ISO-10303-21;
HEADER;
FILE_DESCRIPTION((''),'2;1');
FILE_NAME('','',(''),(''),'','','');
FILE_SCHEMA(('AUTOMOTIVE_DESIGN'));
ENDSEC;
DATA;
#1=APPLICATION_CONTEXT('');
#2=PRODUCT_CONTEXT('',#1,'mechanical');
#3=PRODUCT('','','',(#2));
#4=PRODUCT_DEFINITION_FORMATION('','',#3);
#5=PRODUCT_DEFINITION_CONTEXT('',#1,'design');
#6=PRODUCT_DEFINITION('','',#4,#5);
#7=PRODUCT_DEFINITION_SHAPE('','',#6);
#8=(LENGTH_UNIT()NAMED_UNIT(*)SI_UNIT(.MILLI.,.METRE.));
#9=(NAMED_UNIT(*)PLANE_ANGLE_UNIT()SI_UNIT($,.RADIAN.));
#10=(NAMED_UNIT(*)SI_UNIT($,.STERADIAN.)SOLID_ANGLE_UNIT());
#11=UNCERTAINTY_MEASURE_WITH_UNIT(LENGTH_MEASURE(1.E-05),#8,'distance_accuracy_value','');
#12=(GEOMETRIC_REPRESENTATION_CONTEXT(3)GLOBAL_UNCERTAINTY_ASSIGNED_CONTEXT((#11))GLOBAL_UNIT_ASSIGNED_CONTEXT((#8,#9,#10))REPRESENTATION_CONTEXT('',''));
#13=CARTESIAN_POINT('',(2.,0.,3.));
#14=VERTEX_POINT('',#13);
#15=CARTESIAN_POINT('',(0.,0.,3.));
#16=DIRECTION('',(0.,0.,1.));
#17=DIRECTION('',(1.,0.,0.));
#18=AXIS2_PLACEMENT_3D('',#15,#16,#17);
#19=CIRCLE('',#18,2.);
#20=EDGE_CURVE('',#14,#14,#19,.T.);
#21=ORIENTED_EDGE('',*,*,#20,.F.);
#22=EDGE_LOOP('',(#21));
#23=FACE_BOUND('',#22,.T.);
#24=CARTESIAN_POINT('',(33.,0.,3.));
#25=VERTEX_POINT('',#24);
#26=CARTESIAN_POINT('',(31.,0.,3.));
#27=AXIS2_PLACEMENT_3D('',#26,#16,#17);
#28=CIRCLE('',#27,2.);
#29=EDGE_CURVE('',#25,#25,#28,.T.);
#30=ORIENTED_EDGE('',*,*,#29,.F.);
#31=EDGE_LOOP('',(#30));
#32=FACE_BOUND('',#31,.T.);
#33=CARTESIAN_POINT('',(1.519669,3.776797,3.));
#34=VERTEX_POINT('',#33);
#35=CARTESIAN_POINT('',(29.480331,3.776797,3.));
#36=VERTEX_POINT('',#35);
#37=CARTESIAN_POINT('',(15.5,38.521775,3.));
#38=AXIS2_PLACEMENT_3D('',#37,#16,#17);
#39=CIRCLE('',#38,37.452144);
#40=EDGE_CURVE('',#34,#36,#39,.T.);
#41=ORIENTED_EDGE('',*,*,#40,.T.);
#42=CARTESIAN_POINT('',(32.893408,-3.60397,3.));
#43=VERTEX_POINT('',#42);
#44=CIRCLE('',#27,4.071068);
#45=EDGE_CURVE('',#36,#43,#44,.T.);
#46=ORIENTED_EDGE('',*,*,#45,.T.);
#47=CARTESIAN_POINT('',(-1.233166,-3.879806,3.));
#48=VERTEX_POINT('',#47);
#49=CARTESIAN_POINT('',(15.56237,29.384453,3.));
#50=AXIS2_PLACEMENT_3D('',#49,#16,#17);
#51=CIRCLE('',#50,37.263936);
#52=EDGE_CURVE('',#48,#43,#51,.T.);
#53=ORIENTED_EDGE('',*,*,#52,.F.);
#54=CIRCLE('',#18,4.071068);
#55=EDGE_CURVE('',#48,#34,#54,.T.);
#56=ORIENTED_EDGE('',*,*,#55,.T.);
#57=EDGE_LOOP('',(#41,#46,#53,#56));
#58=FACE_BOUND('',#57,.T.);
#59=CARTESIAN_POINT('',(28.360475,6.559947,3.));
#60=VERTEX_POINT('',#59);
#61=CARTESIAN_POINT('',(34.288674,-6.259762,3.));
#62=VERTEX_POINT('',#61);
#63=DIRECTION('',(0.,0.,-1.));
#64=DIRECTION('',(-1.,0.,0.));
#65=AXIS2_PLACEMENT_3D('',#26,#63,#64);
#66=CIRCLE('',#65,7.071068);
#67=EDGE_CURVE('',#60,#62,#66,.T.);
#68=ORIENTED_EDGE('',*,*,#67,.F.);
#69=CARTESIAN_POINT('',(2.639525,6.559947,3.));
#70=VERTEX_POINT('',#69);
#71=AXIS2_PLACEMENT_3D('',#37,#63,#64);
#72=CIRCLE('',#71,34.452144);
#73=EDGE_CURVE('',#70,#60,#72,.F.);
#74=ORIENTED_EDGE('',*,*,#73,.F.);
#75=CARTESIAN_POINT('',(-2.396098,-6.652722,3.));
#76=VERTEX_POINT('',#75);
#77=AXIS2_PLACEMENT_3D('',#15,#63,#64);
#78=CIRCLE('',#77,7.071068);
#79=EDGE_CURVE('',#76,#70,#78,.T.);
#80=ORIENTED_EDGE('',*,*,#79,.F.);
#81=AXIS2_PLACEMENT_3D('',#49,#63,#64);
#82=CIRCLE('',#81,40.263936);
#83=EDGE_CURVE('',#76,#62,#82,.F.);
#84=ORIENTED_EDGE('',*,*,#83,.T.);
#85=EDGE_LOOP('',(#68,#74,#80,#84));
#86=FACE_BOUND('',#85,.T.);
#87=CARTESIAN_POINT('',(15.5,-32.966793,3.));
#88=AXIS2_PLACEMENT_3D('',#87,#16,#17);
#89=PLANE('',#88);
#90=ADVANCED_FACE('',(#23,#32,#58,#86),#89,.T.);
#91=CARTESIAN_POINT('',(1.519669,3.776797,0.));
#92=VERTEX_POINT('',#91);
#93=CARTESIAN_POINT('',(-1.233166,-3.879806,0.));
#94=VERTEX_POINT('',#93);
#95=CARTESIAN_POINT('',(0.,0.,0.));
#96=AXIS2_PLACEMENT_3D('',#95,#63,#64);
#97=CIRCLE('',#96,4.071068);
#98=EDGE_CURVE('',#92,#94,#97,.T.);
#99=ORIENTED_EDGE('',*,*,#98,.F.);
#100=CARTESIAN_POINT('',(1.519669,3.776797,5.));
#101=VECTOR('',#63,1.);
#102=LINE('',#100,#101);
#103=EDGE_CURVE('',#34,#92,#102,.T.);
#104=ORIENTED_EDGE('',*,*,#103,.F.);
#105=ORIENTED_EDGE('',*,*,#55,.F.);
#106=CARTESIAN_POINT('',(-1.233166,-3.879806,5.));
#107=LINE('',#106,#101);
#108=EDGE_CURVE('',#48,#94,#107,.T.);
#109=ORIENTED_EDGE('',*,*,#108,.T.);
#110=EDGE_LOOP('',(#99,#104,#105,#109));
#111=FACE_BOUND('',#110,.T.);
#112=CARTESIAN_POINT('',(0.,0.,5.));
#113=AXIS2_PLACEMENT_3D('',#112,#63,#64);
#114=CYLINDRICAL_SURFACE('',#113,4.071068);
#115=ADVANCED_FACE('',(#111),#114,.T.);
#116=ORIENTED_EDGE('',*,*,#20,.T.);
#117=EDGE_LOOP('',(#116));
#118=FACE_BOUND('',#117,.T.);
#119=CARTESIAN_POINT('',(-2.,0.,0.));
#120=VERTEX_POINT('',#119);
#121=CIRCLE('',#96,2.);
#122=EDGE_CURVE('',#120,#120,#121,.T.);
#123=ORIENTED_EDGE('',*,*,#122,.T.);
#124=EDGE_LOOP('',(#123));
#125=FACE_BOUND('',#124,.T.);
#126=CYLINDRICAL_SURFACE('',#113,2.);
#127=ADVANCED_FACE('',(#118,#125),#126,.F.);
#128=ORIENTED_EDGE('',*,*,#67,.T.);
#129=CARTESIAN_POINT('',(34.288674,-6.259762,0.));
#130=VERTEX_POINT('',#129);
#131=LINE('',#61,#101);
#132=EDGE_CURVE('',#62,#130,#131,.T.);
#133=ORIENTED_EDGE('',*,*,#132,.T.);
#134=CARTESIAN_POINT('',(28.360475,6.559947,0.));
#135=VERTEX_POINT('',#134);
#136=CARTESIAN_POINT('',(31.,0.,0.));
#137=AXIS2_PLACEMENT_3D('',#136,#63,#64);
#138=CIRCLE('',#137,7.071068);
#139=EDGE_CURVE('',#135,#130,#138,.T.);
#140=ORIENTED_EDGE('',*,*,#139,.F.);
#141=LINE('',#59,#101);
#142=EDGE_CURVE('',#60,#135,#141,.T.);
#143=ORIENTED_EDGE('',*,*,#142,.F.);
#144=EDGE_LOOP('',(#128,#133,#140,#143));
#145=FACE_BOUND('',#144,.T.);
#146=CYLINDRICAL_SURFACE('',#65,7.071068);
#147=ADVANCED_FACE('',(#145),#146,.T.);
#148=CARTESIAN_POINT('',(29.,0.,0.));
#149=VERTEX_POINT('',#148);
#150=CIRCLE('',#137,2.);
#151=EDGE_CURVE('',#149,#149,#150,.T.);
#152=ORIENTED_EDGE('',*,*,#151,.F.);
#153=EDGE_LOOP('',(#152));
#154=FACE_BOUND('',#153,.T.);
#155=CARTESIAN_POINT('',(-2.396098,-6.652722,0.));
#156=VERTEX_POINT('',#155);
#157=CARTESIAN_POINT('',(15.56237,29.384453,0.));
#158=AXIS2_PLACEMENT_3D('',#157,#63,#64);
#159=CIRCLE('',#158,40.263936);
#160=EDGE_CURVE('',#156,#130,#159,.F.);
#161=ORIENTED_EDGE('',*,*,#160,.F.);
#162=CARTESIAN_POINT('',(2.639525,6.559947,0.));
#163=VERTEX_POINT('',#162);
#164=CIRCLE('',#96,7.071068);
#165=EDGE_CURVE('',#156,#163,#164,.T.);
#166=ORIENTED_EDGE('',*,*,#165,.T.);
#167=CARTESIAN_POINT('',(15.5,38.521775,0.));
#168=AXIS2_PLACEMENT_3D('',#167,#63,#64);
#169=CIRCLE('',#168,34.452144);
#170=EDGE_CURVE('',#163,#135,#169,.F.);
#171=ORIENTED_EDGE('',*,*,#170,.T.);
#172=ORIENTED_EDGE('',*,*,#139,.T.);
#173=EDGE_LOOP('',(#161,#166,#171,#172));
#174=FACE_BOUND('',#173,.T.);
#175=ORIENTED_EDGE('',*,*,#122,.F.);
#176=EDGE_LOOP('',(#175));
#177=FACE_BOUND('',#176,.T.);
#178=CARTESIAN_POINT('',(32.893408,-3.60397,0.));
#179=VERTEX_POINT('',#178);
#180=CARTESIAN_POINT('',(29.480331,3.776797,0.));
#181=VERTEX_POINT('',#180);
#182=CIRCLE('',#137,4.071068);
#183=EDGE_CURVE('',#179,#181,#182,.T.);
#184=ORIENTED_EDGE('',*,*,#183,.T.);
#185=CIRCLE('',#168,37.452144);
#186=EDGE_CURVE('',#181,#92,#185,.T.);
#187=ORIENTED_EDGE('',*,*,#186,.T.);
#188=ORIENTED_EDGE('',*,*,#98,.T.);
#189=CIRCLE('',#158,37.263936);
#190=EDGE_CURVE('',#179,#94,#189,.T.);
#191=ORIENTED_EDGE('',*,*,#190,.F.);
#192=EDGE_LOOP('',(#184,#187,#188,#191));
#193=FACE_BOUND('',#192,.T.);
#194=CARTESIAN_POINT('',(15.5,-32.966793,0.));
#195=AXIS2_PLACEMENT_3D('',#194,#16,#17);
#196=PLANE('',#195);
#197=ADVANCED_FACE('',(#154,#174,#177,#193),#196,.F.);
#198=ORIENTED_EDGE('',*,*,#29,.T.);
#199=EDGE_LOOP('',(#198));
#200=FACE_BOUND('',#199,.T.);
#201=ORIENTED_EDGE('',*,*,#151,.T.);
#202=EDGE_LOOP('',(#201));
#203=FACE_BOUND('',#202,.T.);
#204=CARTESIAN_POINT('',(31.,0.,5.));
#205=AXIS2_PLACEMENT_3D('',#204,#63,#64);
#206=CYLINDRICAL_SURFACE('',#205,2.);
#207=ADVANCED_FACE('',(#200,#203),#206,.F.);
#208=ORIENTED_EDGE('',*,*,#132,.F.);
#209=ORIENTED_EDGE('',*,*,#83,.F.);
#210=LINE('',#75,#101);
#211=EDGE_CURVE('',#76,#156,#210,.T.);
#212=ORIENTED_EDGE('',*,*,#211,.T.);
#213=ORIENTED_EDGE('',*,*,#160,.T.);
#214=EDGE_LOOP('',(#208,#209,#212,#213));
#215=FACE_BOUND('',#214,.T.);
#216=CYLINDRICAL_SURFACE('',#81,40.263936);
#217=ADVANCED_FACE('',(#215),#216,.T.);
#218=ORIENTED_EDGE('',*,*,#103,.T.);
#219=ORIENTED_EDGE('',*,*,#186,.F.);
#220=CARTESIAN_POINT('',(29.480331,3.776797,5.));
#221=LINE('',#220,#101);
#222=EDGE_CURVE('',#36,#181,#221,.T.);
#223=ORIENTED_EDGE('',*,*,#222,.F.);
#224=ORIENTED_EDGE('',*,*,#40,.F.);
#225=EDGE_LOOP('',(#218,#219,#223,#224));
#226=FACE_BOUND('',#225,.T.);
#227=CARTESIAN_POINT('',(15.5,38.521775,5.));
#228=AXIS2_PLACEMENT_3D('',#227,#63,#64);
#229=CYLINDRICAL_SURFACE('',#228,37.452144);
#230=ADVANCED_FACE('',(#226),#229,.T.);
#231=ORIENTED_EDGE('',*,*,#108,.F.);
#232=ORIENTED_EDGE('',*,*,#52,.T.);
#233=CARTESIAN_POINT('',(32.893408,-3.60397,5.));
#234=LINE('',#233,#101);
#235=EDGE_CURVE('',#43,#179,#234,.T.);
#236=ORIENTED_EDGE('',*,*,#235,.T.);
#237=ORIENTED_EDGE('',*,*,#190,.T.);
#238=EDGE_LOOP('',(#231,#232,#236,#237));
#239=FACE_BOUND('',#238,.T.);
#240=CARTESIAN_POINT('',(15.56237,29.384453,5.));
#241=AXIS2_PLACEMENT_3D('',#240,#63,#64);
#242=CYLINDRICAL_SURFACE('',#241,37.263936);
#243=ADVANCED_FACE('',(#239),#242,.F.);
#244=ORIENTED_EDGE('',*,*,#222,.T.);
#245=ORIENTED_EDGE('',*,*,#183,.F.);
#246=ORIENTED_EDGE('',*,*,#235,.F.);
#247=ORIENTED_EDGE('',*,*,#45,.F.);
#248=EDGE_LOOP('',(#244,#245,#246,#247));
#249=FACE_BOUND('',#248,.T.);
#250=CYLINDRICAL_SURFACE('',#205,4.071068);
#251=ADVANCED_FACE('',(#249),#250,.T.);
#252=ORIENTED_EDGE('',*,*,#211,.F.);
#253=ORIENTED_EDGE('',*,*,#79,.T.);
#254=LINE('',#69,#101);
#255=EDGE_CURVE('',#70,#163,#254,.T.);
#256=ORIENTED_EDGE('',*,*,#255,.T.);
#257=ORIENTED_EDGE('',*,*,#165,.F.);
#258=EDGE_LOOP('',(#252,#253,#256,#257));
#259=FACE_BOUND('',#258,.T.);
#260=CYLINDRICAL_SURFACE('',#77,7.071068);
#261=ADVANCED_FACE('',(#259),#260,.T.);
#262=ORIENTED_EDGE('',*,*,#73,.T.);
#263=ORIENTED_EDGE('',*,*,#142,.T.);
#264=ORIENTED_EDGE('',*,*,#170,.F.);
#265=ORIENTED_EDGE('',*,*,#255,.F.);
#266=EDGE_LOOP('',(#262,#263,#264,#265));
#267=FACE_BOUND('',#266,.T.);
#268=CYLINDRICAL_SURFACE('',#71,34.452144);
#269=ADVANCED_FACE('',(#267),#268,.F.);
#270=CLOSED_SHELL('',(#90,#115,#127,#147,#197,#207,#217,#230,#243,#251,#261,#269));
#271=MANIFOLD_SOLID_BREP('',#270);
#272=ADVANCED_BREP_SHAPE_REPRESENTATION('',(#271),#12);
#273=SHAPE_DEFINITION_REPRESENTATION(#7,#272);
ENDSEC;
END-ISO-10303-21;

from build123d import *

# Parameters (mm, degrees)
SKETCH1_R           = 1.5
EXTRUDE1_DEPTH      = 3
BOSS_EXTRUDE2_START = -3
BOSS_EXTRUDE2_DEPTH = 3
CUT_EXTRUDE4_START  = -5
CUT_EXTRUDE4_DEPTH  = 5
BOSS_EXTRUDE3_DEPTH = 3
BOSS_EXTRUDE4_DEPTH = 3
SKETCH7_R           = 2
CUT_EXTRUDE6_DEPTH  = 5


with BuildPart() as part:
    # Sketch1 → Extrude1 (new body)
    with BuildSketch(Plane.XY):
        with BuildLine():
            ThreePointArc((0, 5), (-5, 0), (0, -5))
            Line((0, -5), (31, -5))
            ThreePointArc((31, -5), (36, 0), (31, 5))
            Line((31, 5), (0, 5))
        make_face()
        Circle(SKETCH1_R, mode=Mode.SUBTRACT)
        with BuildLine():
            ThreePointArc((32.5, 0), (31, -1.5), (29.5, 0))
            ThreePointArc((29.5, 0), (31, 1.5), (32.5, 0))
        make_face(mode=Mode.SUBTRACT)
    extrude(amount=EXTRUDE1_DEPTH)

    # Sketch2 → Boss-Extrude2 (add)
    with BuildSketch(Plane.XY.offset(3).offset(BOSS_EXTRUDE2_START)):
        with BuildLine():
            Line((30.833786225, -5), (0.166213775, -5))
            ThreePointArc((0.166213775, -5), (15.5, -10), (30.833786225, -5))
        make_face()
        with BuildLine():
            ThreePointArc((36, 0), (36, 5), (31, 5))
            ThreePointArc((31, 5), (34.535533906, 3.535533906), (36, 0))
        make_face()
        with BuildLine():
            ThreePointArc((-5, 0), (-3.535533906, 3.535533906), (0, 5))
            ThreePointArc((0, 5), (-5, 5), (-5, 0))
        make_face()
    extrude(amount=BOSS_EXTRUDE2_DEPTH)

    # Sketch2<6> → Cut-Extrude4 (cut)
    with BuildSketch(Plane.XY.offset(3).offset(CUT_EXTRUDE4_START)):
        with BuildLine():
            Line((31, 5), (0, 5))
            ThreePointArc((0, 5), (15.5, -1.27314911), (31, 5))
        make_face()
        with BuildLine():
            ThreePointArc((31, -5), (34.535533906, -3.535533906), (36, 0))
            ThreePointArc((36, 0), (33.590468728, -2.679345747), (30.833786225, -5))
            Line((30.833786225, -5), (31, -5))
        make_face()
        with BuildLine():
            ThreePointArc((0.166213775, -5), (-2.590468728, -2.679345747), (-5, 0))
            ThreePointArc((-5, 0), (-3.535533906, -3.535533906), (0, -5))
            Line((0, -5), (0.166213775, -5))
        make_face()
    extrude(amount=CUT_EXTRUDE4_DEPTH, mode=Mode.SUBTRACT)

    # Sketch5 → Boss-Extrude3 (add)
    with BuildSketch(Plane(origin=(0, 0, 0), x_dir=(-1, 0, 0), z_dir=(0, 0, -1))):
        with BuildLine():
            ThreePointArc((-2.599706958, -6.575828749), (5.911032444, -3.880682343), (4.999999984, 5.000000016))
            ThreePointArc((4.999999984, 5.000000016), (6.035533906, 2.500000011), (5, 0))
            ThreePointArc((5, 0), (1.520730735, -3.658414607), (-2.599706958, -6.575828749))
        make_face()
        with BuildLine():
            ThreePointArc((0, 5), (2.499999989, 6.035533906), (4.999999984, 5.000000016))
            ThreePointArc((4.999999984, 5.000000016), (-2.526282139, 6.604384797), (-7.06048758, 0.386671862))
            ThreePointArc((-7.06048758, 0.386671862), (-3.310013829, 2.356284055), (0, 5))
        make_face()
        with BuildLine():
            ThreePointArc((-36.000000042, 4.999999958), (-36.911032421, -3.880682377), (-28.400293042, -6.575828749))
            ThreePointArc((-28.400293042, -6.575828749), (-32.520730735, -3.658414607), (-36, 0))
            ThreePointArc((-36, 0), (-37.035533906, 2.499999971), (-36.000000042, 4.999999958))
        make_face()
        with BuildLine():
            ThreePointArc((-31, 5), (-27.689986171, 2.356284055), (-23.93951242, 0.386671862))
            ThreePointArc((-23.93951242, 0.386671862), (-28.473717899, 6.604384812), (-36.000000042, 4.999999958))
            ThreePointArc((-36.000000042, 4.999999958), (-33.500000029, 6.035533906), (-31, 5))
        make_face()
    extrude(amount=-BOSS_EXTRUDE3_DEPTH)

    # Sketch6 → Boss-Extrude4 (add)
    with BuildSketch(Plane(origin=(0, 0, 0), x_dir=(-1, 0, 0), z_dir=(0, 0, -1))):
        with BuildLine():
            ThreePointArc((-7.06048758, 0.386671862), (-5.748903613, 4.117050795), (-2.639524867, 6.559947292))
            ThreePointArc((-2.639524867, 6.559947292), (-15.5, 4.069630639), (-28.360475133, 6.559947292))
            ThreePointArc((-28.360475133, 6.559947292), (-25.251096387, 4.117050795), (-23.93951242, 0.386671862))
            ThreePointArc((-23.93951242, 0.386671862), (-15.5, -1.27314911), (-7.06048758, 0.386671862))
        make_face()
        with BuildLine():
            ThreePointArc((-34.288674296, -6.259762086), (-15.993644495, -10.877173454), (2.396097668, -6.652722448))
            ThreePointArc((2.396097668, -6.652722448), (-0.108822543, -7.070230382), (-2.599706958, -6.575828749))
            ThreePointArc((-2.599706958, -6.575828749), (-15.5, -10), (-28.400293042, -6.575828749))
            ThreePointArc((-28.400293042, -6.575828749), (-31.379003341, -7.060903375), (-34.288674296, -6.259762086))
        make_face()
    extrude(amount=-BOSS_EXTRUDE4_DEPTH)

    # Sketch7 → Cut-Extrude6 (cut)
    with BuildSketch(Plane(origin=(0, 0, 0), x_dir=(-1, 0, 0), z_dir=(0, 0, -1))):
        Circle(SKETCH7_R)
        with Locations((-31, 0)):
            Circle(SKETCH7_R)
        with BuildLine():
            ThreePointArc((-29.480330692, 3.776797363), (-27.304888135, -1.70872509), (-32.893407958, -3.603969954))
            ThreePointArc((-32.893407958, -3.603969954), (-15.863554262, -7.878266077), (1.233165938, -3.879806039))
            ThreePointArc((1.233165938, -3.879806039), (-3.83098094, -1.377380909), (-1.519669308, 3.776797363))
            ThreePointArc((-1.519669308, 3.776797363), (-15.5, 1.069630639), (-29.480330692, 3.776797363))
        make_face()
    extrude(amount=-CUT_EXTRUDE6_DEPTH, mode=Mode.SUBTRACT)


solid = part.part
